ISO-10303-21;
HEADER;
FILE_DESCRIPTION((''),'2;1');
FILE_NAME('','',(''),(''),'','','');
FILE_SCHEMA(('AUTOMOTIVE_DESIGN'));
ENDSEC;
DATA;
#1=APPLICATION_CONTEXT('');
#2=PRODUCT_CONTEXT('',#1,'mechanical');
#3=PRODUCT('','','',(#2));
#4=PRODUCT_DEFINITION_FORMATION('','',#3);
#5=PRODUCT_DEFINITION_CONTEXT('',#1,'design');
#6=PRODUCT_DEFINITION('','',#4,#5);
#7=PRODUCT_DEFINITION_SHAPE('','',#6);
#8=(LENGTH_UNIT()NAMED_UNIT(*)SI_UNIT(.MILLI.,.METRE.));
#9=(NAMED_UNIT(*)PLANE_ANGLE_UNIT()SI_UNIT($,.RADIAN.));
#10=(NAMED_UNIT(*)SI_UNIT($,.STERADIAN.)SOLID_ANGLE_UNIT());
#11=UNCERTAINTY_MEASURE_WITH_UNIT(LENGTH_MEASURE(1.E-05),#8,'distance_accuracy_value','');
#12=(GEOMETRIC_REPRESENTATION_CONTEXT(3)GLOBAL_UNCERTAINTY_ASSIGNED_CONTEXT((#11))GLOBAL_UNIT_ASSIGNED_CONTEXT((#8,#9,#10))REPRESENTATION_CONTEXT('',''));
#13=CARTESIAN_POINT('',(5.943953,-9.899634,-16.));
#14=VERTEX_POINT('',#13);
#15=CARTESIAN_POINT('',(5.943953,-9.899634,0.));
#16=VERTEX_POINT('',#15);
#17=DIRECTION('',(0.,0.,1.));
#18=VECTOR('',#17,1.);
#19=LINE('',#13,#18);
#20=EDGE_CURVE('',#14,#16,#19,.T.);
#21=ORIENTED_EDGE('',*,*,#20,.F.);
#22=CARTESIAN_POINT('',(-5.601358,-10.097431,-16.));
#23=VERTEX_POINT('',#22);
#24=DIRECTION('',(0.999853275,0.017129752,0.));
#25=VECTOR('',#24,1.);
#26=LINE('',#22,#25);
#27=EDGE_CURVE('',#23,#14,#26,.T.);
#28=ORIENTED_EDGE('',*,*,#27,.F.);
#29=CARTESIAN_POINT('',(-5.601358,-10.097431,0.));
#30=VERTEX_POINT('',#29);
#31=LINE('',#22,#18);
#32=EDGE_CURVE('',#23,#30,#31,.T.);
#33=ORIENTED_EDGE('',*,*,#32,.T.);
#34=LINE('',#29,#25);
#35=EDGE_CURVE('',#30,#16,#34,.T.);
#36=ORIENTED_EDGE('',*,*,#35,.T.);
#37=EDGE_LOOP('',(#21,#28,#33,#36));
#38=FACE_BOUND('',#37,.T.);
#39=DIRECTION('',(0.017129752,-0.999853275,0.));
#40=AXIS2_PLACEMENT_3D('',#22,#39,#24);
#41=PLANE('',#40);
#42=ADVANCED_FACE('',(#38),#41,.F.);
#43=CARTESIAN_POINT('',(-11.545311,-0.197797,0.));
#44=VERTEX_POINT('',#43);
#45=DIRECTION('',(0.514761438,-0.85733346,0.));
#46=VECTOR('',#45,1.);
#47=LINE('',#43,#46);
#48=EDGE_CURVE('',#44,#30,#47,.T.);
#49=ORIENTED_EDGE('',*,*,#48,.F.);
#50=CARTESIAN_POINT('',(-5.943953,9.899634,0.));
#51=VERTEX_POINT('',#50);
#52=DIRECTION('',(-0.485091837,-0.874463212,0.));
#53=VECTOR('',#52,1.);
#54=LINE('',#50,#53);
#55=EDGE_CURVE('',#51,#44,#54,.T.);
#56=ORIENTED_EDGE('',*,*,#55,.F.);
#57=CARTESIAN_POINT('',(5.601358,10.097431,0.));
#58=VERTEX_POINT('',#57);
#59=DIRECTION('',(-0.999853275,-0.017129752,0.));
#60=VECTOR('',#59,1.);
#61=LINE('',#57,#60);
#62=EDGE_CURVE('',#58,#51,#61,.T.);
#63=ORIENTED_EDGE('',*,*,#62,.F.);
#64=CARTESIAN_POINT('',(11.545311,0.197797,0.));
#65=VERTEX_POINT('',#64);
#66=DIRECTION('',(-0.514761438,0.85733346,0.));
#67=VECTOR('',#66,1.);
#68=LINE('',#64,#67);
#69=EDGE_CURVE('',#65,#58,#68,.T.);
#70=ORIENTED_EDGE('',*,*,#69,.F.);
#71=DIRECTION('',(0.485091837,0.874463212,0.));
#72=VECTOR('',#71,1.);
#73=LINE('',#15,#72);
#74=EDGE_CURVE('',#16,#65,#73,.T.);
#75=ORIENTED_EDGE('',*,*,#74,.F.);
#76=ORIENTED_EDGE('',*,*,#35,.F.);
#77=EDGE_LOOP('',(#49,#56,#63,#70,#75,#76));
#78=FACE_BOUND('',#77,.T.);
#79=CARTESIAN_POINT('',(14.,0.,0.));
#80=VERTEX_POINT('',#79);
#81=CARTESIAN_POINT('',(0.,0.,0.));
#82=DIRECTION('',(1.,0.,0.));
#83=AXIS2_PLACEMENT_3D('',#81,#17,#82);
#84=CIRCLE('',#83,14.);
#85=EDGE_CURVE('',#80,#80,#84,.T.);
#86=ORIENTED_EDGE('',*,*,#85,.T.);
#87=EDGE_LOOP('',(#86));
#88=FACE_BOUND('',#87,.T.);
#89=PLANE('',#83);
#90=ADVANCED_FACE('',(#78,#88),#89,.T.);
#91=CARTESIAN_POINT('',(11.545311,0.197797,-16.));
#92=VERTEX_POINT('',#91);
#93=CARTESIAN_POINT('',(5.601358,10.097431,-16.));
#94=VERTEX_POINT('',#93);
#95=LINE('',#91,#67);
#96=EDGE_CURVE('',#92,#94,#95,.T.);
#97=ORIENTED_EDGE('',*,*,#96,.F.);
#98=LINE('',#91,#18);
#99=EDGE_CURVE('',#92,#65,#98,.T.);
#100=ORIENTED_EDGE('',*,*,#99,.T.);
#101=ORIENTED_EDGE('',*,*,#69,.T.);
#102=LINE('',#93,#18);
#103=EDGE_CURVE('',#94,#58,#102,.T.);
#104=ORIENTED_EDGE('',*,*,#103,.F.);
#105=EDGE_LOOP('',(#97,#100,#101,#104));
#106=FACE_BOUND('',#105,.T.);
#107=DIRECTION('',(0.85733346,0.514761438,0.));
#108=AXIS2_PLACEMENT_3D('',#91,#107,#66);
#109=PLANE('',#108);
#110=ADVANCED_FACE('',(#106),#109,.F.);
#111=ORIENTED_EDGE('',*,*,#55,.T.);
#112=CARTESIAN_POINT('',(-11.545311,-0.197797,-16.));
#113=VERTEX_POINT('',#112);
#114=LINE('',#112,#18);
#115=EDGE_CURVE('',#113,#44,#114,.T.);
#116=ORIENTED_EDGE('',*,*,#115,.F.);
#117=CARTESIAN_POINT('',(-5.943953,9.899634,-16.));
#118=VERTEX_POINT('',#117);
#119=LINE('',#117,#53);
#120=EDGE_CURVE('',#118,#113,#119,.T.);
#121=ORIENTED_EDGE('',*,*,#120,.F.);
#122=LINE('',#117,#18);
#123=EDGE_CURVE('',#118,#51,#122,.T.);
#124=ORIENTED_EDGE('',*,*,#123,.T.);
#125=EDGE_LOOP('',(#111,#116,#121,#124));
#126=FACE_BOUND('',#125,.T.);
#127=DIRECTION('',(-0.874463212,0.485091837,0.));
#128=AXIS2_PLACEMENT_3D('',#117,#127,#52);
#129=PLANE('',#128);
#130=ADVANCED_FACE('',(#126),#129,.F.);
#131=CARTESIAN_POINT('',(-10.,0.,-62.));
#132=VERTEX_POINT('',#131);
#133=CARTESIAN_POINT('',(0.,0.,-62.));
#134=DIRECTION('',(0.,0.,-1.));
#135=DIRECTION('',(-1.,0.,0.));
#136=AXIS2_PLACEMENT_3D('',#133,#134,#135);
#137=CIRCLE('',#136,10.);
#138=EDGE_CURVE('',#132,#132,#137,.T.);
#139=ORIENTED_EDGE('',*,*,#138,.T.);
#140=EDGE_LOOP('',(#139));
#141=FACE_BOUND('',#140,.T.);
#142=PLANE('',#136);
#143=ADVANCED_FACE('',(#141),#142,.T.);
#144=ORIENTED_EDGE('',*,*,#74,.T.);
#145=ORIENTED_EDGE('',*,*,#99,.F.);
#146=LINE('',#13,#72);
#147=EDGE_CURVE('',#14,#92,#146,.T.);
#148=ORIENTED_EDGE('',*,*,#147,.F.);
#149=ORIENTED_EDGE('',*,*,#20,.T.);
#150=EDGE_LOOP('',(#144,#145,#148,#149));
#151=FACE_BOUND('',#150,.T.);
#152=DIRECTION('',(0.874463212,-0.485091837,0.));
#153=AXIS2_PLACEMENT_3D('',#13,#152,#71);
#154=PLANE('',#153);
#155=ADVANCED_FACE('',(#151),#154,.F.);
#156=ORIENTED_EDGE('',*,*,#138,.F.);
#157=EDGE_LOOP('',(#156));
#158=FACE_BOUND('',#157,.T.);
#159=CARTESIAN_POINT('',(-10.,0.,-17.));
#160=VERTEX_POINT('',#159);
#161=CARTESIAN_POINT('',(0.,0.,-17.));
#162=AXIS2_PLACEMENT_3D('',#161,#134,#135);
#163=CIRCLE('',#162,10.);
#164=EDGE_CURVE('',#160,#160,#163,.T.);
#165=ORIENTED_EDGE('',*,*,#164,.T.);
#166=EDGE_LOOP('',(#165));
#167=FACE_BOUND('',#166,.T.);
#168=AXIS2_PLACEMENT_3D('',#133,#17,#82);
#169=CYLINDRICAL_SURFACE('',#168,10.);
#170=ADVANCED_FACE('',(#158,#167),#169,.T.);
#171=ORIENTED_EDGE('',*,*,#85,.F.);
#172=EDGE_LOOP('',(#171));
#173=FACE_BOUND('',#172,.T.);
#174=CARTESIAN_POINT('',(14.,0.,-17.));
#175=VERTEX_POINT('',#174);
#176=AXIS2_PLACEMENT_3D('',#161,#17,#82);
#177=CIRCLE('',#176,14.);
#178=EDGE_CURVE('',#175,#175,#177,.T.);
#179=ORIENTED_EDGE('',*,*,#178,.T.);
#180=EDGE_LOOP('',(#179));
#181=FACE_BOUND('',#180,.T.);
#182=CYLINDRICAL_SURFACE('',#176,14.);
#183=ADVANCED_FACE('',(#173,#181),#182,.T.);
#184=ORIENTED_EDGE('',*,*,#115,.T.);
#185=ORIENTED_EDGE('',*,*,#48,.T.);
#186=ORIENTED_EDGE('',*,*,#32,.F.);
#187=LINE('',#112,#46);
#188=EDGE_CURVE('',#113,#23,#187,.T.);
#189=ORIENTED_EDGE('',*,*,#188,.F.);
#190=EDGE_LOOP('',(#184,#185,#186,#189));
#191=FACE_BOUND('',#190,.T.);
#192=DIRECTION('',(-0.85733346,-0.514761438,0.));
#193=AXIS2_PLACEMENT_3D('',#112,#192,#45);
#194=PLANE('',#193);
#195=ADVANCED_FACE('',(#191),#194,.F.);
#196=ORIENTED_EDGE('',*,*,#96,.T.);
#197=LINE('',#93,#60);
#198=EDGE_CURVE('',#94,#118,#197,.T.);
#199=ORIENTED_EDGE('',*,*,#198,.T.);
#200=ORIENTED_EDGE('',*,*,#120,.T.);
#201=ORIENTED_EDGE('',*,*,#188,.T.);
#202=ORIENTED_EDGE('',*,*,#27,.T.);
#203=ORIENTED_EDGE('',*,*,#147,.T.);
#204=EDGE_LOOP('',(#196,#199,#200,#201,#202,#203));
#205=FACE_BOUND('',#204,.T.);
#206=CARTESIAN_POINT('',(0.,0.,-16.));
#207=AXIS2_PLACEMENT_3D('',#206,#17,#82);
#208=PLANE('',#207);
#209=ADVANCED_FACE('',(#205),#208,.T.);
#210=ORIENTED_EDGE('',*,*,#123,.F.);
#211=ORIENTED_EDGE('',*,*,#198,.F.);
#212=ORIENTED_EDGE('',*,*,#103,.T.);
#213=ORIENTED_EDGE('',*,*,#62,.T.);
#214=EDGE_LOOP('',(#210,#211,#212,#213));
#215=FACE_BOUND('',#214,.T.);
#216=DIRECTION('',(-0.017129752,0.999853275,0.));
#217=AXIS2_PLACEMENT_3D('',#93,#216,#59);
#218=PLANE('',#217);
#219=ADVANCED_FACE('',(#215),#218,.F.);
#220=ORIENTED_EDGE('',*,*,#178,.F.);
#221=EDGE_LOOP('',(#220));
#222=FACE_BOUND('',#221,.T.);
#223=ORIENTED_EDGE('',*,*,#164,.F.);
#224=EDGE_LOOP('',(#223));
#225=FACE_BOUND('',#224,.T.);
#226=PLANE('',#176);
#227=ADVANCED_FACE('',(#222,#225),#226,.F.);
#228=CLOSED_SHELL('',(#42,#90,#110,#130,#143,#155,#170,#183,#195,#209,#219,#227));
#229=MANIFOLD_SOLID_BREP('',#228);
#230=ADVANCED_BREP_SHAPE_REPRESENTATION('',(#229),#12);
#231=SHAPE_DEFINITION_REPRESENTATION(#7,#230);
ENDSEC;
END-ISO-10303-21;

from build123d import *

# Parameters (mm, degrees)
SKETCH1_R           = 14
BOSS_EXTRUDE1_DEPTH = 17
SKETCH2_R           = 10
BOSS_EXTRUDE2_DEPTH = 45
CUT_EXTRUDE1_DEPTH  = 16


with BuildPart() as part:
    # Sketch1 → Boss-Extrude1 (new body)
    with BuildSketch(Plane.XY):
        Circle(SKETCH1_R)
    extrude(amount=-BOSS_EXTRUDE1_DEPTH)

    # Sketch2 → Boss-Extrude2 (add)
    with BuildSketch(Plane(origin=(0, 0, -17), x_dir=(-1, 0, 0), z_dir=(0, 0, -1))):
        Circle(SKETCH2_R)
    extrude(amount=BOSS_EXTRUDE2_DEPTH)

    # Sketch3 → Cut-Extrude1 (cut)
    with BuildSketch(Plane.XY):
        Polygon((5.601358059, 10.097431417), (-5.943953091, 9.899634083), (-11.54531115, -0.197797334), (-5.601358059, -10.097431417), (5.943953091, -9.899634083), (11.54531115, 0.197797334), align=None)
    extrude(amount=-CUT_EXTRUDE1_DEPTH, mode=Mode.SUBTRACT)


solid = part.part
